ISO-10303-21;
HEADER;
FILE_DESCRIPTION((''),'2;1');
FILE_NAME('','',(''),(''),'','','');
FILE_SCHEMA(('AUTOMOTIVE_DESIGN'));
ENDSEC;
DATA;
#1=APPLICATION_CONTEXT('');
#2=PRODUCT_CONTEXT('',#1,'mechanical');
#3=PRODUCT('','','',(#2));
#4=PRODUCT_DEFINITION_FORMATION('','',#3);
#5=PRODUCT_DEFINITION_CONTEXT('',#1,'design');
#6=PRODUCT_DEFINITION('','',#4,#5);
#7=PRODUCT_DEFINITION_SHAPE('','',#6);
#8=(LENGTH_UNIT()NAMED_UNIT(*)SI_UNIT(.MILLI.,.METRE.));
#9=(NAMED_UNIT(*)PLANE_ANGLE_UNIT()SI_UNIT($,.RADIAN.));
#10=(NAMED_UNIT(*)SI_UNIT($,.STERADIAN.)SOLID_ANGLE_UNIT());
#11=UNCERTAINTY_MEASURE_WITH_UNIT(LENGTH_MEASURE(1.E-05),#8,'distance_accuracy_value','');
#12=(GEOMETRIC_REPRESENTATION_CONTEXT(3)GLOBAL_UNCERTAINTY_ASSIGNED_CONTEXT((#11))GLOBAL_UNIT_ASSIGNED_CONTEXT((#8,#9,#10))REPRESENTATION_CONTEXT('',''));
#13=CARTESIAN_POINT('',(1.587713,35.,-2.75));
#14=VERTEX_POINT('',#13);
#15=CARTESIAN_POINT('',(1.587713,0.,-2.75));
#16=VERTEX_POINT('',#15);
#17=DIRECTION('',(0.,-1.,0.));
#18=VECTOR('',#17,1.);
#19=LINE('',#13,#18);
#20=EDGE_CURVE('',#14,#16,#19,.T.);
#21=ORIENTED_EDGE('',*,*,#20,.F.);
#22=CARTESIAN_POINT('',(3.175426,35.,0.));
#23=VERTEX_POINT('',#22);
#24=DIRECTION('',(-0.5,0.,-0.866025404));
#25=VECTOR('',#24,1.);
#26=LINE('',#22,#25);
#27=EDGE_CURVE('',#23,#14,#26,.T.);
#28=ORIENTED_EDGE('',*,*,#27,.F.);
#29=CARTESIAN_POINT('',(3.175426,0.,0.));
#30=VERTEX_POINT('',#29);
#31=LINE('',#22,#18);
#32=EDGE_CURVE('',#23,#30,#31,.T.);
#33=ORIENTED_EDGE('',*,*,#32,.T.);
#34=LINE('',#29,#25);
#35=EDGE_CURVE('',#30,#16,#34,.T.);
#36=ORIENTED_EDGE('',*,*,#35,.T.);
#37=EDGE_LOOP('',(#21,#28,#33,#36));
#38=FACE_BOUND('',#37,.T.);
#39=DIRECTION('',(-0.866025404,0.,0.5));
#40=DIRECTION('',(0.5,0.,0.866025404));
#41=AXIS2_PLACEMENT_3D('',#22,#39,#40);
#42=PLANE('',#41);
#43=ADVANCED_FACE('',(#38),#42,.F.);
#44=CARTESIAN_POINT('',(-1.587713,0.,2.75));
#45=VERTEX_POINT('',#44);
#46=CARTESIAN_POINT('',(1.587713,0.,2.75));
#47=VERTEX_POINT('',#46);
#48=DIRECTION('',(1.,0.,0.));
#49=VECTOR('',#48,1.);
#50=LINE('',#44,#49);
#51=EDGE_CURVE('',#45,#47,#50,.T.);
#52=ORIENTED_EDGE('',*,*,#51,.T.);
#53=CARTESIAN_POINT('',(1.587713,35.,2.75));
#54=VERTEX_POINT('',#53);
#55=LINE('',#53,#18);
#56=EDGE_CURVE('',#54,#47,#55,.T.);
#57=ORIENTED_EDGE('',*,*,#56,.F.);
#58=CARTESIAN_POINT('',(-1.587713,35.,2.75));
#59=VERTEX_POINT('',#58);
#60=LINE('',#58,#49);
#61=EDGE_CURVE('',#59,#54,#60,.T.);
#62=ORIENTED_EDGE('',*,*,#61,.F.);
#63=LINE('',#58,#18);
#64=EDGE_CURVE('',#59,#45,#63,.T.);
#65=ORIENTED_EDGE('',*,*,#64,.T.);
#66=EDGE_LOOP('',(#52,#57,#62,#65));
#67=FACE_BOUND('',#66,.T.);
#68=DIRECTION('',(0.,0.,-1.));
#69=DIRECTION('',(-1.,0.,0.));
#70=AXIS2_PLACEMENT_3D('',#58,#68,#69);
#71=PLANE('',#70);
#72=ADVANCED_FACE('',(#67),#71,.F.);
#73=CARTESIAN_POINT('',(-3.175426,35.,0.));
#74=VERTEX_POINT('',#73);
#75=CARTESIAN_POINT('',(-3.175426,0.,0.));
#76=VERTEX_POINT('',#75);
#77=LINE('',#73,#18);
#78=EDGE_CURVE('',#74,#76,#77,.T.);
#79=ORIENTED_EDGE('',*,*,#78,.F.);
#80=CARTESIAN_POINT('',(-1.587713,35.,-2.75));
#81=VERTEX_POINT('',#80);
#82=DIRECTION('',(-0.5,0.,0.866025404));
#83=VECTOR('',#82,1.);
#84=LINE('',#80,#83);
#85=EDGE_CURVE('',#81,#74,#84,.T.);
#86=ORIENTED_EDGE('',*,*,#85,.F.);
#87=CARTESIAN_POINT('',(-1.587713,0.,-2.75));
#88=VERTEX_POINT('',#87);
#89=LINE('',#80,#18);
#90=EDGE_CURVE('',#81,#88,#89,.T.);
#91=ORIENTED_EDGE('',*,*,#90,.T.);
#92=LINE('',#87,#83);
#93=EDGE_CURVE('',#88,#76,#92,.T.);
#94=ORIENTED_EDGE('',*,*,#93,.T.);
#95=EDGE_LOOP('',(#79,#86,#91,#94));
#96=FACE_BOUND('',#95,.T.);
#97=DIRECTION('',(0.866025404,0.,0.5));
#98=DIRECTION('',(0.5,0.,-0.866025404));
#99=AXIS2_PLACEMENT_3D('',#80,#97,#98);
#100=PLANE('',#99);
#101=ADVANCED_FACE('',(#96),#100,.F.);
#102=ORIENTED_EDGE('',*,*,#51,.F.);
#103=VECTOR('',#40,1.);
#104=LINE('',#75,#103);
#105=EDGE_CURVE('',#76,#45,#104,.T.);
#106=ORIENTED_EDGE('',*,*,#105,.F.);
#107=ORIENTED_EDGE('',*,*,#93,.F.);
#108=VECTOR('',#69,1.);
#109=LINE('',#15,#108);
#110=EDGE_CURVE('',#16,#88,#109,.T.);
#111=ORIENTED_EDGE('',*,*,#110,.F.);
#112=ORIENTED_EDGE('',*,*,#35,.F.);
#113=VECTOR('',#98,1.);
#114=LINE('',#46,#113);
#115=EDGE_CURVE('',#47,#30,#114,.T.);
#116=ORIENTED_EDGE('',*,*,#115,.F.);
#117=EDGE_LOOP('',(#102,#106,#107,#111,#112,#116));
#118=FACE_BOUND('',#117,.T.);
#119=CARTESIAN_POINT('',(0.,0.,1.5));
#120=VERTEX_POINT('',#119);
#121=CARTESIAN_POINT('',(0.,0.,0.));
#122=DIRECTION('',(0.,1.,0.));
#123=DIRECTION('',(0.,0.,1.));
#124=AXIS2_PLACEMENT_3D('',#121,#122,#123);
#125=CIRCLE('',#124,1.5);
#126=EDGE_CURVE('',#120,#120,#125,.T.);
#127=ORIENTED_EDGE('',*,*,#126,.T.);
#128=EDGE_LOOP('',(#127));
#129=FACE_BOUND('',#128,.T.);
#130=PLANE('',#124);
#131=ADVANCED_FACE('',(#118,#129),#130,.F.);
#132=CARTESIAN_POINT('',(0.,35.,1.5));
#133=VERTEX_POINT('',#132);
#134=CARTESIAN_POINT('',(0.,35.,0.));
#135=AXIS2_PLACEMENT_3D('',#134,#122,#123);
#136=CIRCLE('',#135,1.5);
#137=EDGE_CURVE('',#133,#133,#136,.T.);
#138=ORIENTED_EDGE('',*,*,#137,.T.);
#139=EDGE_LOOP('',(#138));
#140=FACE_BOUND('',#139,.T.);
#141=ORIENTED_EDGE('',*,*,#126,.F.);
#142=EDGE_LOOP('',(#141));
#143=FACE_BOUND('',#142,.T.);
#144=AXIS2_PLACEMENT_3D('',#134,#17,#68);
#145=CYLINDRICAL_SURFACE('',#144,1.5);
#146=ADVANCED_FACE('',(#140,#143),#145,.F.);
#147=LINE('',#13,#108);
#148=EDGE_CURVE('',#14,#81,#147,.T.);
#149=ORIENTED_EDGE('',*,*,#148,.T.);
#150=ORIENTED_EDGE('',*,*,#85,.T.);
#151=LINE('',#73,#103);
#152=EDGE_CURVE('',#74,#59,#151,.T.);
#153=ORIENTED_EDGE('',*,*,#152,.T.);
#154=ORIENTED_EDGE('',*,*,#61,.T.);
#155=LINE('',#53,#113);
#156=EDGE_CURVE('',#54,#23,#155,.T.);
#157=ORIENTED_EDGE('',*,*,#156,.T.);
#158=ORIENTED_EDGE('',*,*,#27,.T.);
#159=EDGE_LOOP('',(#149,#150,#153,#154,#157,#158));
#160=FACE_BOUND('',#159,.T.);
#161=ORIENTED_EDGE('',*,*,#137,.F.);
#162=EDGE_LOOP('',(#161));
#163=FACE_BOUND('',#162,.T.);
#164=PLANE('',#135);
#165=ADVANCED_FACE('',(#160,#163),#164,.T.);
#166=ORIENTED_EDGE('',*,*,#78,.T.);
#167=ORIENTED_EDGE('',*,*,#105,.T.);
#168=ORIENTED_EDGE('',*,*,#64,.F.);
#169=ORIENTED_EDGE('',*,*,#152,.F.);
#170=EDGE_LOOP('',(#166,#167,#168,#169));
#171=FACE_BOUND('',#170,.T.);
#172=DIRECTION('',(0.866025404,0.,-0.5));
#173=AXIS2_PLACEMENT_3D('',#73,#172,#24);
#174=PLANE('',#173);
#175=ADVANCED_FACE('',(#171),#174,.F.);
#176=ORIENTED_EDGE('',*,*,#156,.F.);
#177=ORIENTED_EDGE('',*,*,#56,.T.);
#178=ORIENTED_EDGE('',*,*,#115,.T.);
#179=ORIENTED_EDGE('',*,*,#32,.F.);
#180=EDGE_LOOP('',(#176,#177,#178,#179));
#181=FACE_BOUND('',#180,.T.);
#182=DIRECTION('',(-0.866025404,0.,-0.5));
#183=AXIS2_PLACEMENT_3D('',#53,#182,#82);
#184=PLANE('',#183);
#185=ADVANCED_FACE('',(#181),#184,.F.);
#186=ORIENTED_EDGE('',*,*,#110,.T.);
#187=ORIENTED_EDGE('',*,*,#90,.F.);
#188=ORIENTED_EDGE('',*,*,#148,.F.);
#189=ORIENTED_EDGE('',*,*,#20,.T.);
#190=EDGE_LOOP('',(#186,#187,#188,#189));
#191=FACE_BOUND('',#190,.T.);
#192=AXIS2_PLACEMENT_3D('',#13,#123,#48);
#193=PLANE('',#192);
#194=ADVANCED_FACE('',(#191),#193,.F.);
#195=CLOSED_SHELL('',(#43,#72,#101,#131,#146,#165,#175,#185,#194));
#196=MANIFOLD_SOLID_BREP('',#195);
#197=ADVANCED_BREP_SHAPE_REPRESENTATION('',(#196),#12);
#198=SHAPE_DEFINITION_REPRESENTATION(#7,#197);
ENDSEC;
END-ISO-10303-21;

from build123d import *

# Parameters (mm, degrees)
SKETCH_1_R      = 1.5
EXTRUDE_1_DEPTH = 35


with BuildPart() as part:
    # 草图1 → 凸台-拉伸1 (new body)
    with BuildSketch(Plane(origin=(0, 0, 0), x_dir=(1, 0, 0), z_dir=(0, 1, 0))):
        Polygon((3.175426481, 0), (1.58771324, 2.75), (-1.58771324, 2.75), (-3.175426481, 0), (-1.58771324, -2.75), (1.58771324, -2.75), align=None)
        with Locations(Location((0, 0, 0), (0, 0, 270))):
            Circle(SKETCH_1_R, mode=Mode.SUBTRACT)
    extrude(amount=EXTRUDE_1_DEPTH)


solid = part.part
